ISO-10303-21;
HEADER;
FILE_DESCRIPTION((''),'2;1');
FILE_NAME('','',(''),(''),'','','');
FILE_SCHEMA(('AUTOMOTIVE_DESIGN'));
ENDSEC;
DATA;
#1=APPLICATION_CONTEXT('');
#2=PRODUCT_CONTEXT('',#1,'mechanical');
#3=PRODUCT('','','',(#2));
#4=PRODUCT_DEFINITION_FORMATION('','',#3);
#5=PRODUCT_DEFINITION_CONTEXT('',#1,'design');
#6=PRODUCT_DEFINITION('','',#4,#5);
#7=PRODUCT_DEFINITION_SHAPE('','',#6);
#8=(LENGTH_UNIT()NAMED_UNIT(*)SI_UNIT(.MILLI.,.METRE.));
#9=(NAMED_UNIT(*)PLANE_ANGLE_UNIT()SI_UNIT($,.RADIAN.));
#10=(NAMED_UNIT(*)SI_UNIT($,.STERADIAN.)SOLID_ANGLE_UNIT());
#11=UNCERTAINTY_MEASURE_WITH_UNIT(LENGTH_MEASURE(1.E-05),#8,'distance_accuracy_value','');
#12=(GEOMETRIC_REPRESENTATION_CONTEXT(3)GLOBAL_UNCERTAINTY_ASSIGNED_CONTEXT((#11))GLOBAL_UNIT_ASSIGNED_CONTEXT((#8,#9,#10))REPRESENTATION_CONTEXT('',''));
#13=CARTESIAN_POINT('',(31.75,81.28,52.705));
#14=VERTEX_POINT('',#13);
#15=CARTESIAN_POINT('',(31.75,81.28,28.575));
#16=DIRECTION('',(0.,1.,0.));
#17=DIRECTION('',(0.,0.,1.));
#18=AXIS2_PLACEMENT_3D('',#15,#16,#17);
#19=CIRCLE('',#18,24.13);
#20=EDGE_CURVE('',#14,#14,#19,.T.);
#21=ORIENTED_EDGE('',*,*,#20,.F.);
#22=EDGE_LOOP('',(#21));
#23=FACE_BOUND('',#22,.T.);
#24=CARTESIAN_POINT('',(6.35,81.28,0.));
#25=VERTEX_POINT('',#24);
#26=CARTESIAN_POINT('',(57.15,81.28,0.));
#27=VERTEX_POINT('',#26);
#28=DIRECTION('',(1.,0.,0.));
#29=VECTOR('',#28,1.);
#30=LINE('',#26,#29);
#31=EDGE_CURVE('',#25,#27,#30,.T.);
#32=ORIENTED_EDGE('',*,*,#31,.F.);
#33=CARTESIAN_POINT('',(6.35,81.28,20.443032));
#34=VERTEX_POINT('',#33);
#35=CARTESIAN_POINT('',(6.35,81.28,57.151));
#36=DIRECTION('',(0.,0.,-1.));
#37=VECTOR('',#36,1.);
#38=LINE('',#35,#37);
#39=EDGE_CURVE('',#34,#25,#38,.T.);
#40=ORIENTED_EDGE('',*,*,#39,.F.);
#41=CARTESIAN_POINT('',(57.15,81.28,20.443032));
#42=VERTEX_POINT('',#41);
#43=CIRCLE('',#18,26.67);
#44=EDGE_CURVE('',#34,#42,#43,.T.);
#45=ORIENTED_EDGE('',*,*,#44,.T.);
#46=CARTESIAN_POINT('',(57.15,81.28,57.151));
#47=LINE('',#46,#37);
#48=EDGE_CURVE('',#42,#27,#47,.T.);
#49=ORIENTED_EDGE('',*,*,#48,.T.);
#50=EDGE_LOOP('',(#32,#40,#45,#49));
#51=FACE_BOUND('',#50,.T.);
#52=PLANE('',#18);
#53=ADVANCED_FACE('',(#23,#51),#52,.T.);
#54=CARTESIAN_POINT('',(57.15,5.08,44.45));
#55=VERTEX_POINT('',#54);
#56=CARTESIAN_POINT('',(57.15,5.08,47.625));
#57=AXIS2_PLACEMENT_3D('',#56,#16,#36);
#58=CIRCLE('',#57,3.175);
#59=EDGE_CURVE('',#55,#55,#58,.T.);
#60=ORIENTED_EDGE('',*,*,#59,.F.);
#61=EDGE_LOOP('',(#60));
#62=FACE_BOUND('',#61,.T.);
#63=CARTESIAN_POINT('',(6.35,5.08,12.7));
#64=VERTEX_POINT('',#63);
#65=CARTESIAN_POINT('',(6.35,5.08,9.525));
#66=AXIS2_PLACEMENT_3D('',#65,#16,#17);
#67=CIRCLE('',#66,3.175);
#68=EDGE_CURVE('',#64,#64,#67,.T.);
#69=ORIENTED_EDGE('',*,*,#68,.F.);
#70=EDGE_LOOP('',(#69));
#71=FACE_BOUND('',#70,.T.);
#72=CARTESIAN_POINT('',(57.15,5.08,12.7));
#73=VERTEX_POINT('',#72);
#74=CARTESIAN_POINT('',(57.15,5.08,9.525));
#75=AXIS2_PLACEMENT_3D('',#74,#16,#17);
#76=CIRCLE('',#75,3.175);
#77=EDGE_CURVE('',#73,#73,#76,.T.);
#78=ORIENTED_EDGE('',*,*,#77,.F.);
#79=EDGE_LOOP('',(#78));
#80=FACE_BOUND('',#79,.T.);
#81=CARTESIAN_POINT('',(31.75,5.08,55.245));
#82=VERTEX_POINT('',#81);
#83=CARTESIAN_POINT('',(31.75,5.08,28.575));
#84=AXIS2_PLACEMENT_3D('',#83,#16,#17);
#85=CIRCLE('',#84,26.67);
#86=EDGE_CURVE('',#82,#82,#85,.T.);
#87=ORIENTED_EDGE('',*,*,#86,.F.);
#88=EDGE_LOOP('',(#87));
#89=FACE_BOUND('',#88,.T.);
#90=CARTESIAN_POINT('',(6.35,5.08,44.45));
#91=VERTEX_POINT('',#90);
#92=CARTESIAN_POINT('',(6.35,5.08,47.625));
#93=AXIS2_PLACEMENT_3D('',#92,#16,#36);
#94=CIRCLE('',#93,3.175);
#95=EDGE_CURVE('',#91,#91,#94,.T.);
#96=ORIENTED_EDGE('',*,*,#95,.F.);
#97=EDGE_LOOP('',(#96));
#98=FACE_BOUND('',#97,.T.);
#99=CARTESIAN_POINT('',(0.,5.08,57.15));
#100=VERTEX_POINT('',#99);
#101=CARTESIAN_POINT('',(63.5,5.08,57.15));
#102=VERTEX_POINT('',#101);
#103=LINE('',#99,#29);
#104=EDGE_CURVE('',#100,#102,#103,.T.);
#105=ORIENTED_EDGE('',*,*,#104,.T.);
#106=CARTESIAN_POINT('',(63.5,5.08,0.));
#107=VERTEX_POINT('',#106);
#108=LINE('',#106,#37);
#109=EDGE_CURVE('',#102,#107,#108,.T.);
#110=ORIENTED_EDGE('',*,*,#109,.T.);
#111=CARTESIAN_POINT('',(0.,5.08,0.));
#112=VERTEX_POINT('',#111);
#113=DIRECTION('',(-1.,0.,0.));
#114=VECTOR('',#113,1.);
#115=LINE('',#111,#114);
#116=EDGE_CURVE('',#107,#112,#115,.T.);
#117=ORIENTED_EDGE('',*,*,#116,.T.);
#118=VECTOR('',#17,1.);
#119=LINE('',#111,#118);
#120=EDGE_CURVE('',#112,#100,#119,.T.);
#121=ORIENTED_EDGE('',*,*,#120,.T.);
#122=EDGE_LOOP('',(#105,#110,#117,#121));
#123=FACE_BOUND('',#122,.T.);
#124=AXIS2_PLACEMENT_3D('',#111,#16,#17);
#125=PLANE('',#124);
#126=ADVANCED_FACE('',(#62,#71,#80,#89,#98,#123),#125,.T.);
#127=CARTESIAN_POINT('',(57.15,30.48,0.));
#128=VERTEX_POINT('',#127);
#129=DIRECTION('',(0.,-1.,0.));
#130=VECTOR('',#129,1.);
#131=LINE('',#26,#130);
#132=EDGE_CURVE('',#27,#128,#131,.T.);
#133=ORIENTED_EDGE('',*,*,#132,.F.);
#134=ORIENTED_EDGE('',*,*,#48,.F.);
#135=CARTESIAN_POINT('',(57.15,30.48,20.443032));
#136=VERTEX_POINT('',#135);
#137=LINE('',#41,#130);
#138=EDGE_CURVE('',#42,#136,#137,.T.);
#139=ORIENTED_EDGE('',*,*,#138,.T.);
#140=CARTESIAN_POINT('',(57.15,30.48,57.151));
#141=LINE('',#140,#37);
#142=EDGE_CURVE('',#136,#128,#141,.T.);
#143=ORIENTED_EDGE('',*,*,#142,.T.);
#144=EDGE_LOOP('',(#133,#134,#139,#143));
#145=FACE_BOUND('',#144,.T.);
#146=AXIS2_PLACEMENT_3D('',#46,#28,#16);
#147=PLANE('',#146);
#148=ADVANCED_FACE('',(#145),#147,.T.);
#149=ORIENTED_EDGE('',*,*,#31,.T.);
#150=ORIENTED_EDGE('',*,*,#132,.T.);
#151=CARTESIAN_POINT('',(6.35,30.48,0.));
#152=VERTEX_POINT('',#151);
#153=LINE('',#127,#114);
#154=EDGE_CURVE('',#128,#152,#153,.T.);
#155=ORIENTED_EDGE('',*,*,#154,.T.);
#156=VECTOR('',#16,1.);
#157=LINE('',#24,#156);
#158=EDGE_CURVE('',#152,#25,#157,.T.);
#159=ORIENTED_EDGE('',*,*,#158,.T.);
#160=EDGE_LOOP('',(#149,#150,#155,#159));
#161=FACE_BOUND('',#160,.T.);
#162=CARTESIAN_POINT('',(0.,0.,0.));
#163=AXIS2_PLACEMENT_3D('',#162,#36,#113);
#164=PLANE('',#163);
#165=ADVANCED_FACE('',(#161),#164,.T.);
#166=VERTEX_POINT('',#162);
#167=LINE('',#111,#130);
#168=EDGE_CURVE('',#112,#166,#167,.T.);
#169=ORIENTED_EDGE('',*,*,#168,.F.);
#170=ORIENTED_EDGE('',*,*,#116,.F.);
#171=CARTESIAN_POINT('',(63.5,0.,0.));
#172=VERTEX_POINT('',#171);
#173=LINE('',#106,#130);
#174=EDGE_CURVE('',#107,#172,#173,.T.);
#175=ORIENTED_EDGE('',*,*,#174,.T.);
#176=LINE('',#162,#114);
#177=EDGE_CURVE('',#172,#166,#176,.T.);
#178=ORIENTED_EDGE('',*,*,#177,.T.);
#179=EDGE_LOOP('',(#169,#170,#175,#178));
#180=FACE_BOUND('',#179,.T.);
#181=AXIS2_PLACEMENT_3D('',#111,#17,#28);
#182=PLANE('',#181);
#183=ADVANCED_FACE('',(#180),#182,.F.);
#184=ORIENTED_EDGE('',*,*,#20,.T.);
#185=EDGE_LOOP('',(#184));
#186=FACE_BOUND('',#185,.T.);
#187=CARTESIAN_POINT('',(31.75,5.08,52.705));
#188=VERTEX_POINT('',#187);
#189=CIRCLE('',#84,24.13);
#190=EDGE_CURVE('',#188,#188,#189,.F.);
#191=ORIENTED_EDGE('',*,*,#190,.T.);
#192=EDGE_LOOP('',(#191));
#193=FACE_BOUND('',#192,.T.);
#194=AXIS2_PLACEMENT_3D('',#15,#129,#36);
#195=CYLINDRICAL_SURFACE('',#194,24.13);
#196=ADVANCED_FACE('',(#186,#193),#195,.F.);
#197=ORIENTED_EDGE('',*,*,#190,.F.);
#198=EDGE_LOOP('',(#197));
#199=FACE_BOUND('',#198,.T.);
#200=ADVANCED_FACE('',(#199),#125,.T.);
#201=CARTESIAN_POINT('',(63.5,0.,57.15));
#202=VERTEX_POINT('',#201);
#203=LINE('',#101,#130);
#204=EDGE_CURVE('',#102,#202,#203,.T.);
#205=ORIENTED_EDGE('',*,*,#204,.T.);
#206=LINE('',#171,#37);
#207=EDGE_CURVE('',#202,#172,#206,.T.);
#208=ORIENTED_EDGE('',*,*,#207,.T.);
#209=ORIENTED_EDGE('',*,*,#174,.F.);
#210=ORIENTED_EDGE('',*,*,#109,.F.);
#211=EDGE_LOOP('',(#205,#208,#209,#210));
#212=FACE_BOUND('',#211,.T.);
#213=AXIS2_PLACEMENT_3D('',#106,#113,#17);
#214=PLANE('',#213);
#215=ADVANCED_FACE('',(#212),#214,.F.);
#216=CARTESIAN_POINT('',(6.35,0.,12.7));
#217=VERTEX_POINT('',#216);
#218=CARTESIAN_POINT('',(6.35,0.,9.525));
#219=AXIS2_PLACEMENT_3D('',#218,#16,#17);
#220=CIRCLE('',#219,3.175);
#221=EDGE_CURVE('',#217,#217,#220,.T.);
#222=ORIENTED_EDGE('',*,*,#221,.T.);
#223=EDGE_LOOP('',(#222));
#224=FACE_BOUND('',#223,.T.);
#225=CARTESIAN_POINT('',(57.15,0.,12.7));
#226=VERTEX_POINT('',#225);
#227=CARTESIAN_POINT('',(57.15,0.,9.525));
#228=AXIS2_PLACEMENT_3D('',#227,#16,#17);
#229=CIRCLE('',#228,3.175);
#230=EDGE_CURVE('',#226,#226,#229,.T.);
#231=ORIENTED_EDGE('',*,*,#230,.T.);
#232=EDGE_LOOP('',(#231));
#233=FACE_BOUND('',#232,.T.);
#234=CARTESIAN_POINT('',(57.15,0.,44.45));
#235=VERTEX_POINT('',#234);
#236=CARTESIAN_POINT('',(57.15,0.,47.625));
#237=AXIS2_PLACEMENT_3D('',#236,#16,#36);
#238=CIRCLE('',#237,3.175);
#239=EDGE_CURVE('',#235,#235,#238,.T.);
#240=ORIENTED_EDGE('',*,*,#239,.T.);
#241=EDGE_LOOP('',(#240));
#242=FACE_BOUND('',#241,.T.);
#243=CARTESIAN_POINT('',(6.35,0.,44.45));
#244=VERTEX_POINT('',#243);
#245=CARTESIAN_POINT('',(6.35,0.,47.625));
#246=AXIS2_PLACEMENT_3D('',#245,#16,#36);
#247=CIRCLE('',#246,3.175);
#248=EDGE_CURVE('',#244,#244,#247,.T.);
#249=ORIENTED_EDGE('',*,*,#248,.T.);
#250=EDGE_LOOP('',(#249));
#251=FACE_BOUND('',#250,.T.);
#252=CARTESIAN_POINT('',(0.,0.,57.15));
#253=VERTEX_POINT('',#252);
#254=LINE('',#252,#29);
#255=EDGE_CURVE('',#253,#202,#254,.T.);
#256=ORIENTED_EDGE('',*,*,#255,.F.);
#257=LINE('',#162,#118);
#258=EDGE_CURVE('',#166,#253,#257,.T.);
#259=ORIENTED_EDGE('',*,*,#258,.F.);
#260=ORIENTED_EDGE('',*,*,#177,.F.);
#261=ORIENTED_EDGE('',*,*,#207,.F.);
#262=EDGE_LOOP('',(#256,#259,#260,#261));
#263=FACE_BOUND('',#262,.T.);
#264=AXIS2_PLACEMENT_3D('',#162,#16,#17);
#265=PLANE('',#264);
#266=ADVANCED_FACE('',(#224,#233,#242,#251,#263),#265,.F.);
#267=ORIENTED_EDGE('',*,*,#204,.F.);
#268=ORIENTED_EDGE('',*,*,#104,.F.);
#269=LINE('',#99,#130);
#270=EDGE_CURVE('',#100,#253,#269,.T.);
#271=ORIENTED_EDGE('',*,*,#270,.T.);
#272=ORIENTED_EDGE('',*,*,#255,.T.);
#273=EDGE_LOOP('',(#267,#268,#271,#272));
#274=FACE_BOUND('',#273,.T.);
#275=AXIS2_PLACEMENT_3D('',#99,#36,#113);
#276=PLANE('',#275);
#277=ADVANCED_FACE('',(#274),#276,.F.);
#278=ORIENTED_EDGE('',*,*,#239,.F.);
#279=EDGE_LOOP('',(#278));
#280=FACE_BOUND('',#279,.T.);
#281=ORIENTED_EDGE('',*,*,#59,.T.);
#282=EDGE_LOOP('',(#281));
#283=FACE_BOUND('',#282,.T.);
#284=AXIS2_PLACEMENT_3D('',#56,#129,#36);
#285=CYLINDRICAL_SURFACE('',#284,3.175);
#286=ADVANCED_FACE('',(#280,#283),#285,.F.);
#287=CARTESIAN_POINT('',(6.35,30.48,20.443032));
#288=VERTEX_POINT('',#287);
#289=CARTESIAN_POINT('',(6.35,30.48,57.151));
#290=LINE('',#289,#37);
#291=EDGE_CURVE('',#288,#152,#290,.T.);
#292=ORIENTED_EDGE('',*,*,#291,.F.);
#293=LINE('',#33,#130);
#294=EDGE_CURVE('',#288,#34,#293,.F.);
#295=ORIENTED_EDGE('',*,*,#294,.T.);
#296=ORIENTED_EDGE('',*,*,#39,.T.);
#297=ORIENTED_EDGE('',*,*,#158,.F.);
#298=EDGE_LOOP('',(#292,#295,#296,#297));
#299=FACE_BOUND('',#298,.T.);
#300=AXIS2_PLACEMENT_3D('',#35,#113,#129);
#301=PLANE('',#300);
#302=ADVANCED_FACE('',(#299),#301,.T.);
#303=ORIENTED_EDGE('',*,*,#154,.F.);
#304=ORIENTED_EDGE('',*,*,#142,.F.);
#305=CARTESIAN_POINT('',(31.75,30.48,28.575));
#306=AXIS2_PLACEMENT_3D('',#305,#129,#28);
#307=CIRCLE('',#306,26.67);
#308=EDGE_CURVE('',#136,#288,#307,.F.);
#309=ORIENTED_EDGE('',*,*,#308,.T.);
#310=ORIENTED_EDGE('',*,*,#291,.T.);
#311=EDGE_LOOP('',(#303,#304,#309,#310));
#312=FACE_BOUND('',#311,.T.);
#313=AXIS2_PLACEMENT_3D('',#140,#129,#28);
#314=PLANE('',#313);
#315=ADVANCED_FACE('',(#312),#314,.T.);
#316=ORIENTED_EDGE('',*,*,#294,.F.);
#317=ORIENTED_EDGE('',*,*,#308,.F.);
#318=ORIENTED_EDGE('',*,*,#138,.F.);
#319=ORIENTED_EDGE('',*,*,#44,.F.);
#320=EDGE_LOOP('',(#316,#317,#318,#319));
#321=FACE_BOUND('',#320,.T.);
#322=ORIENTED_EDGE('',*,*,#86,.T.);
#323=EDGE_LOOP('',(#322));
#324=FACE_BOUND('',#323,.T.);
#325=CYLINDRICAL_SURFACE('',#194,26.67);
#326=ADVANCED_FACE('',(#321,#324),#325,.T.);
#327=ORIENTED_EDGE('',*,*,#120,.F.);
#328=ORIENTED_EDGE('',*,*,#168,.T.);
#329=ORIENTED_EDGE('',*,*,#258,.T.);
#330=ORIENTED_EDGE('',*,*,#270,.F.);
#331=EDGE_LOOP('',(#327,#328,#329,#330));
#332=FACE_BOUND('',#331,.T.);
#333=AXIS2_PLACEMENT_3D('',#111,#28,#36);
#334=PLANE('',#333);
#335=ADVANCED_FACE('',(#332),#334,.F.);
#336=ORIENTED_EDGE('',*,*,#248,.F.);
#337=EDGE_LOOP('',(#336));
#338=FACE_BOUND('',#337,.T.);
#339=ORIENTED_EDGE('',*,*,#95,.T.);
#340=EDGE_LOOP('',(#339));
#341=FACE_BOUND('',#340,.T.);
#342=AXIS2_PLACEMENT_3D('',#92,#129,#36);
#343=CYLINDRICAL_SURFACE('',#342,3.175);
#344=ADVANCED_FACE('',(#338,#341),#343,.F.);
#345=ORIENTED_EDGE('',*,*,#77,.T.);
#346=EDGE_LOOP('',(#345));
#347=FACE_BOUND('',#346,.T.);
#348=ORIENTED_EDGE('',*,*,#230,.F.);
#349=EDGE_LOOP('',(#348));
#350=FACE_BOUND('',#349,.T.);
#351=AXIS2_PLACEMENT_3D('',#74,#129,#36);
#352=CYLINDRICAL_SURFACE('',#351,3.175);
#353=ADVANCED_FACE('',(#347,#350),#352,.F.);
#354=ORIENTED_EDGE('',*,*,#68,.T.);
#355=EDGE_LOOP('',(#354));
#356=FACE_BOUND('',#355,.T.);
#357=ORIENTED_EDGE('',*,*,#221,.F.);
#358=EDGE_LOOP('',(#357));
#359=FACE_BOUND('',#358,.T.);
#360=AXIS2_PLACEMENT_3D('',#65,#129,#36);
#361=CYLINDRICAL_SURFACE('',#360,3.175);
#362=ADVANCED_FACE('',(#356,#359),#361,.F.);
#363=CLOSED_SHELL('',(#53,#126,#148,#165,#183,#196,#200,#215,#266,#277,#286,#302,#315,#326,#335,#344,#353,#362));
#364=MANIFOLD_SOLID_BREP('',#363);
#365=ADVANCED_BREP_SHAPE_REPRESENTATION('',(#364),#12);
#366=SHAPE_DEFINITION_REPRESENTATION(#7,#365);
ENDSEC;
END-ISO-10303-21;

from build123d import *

# Parameters (mm, degrees)
SKETCH1_W           = 63.5
SKETCH1_H           = 57.15
SKETCH1_R           = 3.175
BOSS_EXTRUDE1_DEPTH = 5.08
SKETCH2_R           = 26.67
SKETCH2_R_2         = 24.13
BOSS_EXTRUDE2_DEPTH = 76.2
BOSS_EXTRUDE3_REACH = 59.15
SKETCH4_W           = 50.8
SKETCH4_H           = 50.8


with BuildPart() as part:
    # Sketch1 → Boss-Extrude1 (new body)
    with BuildSketch(Plane(origin=(0, 0, 0), x_dir=(1, 0, 0), z_dir=(0, 1, 0))):
        with Locations((31.75, -28.575)):
            Rectangle(SKETCH1_W, SKETCH1_H)
        with Locations((6.35, -9.525)):
            Circle(SKETCH1_R, mode=Mode.SUBTRACT)
        with Locations((57.15, -9.525)):
            Circle(SKETCH1_R, mode=Mode.SUBTRACT)
        with Locations((57.15, -47.625)):
            Circle(SKETCH1_R, mode=Mode.SUBTRACT)
        with Locations((6.35, -47.625)):
            Circle(SKETCH1_R, mode=Mode.SUBTRACT)
    extrude(amount=BOSS_EXTRUDE1_DEPTH)

    # Sketch2 → Boss-Extrude2 (add)
    with BuildSketch(Plane(origin=(0, 5.08, 0), x_dir=(1, 0, 0), z_dir=(0, 1, 0))):
        with Locations((31.75, -28.575)):
            Circle(SKETCH2_R)
        with Locations((31.75, -28.575)):
            Circle(SKETCH2_R_2, mode=Mode.SUBTRACT)
    extrude(amount=BOSS_EXTRUDE2_DEPTH)

    # Sketch4 → Boss-Extrude3 (add, up to next)
    with BuildSketch(Plane(origin=(0, 0, 0), x_dir=(-1, 0, 0), z_dir=(0, 0, -1)), mode=Mode.PRIVATE) as boss_extrude3_sk1:
        with Locations((-31.75, 55.88)):
            Rectangle(SKETCH4_W, SKETCH4_H)
    boss_extrude3_tool1 = extrude(boss_extrude3_sk1.sketch, amount=-BOSS_EXTRUDE3_REACH, mode=Mode.PRIVATE) - part.part
    add(boss_extrude3_tool1.solids().sort_by_distance((31.75, 55.88, 0))[0])


solid = part.part
